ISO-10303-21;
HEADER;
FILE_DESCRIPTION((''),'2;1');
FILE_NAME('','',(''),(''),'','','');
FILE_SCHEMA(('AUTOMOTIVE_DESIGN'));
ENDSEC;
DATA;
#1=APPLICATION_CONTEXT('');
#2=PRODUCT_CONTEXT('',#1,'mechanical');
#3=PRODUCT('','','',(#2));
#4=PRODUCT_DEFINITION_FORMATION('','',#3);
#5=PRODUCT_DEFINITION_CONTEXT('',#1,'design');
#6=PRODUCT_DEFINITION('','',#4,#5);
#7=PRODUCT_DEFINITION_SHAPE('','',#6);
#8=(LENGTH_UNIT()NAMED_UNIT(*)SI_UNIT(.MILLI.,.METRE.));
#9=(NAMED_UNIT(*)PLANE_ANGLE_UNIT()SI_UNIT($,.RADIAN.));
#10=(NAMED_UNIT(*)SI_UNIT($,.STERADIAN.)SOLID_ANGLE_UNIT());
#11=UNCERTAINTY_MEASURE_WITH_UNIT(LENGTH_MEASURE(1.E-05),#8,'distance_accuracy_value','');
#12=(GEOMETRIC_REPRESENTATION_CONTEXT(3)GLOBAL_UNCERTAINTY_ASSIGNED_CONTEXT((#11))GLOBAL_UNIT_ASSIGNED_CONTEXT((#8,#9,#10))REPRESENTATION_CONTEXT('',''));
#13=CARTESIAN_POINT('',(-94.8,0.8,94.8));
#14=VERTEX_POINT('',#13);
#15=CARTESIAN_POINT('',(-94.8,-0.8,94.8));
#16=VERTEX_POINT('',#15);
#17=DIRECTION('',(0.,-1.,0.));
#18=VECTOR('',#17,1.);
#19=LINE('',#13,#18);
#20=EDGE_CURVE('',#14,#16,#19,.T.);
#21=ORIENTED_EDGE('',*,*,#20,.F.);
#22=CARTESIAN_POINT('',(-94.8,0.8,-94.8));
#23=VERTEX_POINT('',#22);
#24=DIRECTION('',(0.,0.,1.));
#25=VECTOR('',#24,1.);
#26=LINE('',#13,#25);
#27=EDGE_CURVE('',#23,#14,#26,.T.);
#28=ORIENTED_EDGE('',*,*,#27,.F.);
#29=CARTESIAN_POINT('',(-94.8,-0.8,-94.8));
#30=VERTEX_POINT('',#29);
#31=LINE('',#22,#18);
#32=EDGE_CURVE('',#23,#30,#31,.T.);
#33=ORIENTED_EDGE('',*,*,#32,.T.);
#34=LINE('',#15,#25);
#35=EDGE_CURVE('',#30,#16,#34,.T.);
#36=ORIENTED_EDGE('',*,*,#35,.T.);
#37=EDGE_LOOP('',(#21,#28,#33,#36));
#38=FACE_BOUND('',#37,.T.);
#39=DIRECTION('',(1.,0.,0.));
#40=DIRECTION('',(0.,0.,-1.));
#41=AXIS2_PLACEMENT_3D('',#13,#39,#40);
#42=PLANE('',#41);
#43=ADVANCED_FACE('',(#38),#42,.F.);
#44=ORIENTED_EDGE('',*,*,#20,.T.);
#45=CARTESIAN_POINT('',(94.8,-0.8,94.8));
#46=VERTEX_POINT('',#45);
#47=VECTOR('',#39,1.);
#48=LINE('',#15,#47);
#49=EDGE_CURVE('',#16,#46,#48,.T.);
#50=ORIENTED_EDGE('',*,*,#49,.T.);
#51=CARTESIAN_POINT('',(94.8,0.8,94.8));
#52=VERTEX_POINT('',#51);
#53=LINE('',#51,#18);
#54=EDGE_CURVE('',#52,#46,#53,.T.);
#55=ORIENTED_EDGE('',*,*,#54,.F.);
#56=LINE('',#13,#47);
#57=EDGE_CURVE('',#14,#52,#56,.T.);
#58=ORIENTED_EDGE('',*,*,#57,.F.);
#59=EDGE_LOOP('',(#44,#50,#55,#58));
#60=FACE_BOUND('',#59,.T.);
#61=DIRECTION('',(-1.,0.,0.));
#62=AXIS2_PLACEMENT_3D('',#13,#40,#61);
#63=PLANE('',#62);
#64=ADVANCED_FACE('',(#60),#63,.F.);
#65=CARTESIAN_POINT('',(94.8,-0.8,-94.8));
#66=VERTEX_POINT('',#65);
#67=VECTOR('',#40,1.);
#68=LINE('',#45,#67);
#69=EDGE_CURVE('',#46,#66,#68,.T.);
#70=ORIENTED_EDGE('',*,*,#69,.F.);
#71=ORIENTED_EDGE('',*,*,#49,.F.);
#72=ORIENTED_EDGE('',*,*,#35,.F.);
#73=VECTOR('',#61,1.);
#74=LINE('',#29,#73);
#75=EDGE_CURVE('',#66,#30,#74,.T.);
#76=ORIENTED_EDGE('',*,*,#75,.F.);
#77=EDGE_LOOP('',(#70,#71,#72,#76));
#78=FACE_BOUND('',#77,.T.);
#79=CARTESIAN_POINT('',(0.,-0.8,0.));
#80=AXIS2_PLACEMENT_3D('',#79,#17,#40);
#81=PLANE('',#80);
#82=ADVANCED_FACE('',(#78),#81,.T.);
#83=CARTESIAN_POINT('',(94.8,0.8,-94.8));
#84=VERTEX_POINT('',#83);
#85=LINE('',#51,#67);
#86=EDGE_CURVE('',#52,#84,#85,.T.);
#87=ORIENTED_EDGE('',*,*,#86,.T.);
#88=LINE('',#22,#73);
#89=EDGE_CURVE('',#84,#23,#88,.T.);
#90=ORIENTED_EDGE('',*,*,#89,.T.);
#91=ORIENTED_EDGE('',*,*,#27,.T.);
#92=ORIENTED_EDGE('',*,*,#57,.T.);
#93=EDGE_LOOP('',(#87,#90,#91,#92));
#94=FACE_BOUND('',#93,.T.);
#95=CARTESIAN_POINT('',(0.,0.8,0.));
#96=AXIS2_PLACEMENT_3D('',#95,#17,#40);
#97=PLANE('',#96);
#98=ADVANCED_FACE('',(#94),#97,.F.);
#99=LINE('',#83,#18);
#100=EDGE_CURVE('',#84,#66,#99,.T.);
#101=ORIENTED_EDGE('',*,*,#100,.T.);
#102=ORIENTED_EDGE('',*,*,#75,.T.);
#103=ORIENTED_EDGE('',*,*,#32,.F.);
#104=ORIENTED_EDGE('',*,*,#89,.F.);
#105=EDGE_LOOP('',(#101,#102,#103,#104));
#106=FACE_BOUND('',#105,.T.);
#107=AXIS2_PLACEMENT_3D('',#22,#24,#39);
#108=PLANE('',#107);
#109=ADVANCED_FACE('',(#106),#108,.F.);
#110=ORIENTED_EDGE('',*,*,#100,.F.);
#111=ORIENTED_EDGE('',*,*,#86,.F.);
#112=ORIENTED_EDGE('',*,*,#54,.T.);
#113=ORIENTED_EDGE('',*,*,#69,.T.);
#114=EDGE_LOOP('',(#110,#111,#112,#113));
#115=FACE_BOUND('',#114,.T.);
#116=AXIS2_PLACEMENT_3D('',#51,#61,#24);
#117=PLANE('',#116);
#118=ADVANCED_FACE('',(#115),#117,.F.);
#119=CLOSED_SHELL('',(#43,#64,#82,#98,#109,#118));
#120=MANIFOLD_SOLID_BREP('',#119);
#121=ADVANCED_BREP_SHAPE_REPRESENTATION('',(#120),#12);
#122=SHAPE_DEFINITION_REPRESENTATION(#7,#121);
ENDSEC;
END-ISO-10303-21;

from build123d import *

# Parameters (mm, degrees)
SKETCH1_W           = 189.6
SKETCH1_H           = 189.6
BOSS_EXTRUDE1_DEPTH = 0.8


with BuildPart() as part:
    # Sketch1 → Boss-Extrude1 (new, symmetric)
    with BuildSketch(Plane(origin=(0, 0, 0), x_dir=(1, 0, 0), z_dir=(0, 1, 0))):
        Rectangle(SKETCH1_W, SKETCH1_H)
    extrude(amount=BOSS_EXTRUDE1_DEPTH, both=True)


solid = part.part
